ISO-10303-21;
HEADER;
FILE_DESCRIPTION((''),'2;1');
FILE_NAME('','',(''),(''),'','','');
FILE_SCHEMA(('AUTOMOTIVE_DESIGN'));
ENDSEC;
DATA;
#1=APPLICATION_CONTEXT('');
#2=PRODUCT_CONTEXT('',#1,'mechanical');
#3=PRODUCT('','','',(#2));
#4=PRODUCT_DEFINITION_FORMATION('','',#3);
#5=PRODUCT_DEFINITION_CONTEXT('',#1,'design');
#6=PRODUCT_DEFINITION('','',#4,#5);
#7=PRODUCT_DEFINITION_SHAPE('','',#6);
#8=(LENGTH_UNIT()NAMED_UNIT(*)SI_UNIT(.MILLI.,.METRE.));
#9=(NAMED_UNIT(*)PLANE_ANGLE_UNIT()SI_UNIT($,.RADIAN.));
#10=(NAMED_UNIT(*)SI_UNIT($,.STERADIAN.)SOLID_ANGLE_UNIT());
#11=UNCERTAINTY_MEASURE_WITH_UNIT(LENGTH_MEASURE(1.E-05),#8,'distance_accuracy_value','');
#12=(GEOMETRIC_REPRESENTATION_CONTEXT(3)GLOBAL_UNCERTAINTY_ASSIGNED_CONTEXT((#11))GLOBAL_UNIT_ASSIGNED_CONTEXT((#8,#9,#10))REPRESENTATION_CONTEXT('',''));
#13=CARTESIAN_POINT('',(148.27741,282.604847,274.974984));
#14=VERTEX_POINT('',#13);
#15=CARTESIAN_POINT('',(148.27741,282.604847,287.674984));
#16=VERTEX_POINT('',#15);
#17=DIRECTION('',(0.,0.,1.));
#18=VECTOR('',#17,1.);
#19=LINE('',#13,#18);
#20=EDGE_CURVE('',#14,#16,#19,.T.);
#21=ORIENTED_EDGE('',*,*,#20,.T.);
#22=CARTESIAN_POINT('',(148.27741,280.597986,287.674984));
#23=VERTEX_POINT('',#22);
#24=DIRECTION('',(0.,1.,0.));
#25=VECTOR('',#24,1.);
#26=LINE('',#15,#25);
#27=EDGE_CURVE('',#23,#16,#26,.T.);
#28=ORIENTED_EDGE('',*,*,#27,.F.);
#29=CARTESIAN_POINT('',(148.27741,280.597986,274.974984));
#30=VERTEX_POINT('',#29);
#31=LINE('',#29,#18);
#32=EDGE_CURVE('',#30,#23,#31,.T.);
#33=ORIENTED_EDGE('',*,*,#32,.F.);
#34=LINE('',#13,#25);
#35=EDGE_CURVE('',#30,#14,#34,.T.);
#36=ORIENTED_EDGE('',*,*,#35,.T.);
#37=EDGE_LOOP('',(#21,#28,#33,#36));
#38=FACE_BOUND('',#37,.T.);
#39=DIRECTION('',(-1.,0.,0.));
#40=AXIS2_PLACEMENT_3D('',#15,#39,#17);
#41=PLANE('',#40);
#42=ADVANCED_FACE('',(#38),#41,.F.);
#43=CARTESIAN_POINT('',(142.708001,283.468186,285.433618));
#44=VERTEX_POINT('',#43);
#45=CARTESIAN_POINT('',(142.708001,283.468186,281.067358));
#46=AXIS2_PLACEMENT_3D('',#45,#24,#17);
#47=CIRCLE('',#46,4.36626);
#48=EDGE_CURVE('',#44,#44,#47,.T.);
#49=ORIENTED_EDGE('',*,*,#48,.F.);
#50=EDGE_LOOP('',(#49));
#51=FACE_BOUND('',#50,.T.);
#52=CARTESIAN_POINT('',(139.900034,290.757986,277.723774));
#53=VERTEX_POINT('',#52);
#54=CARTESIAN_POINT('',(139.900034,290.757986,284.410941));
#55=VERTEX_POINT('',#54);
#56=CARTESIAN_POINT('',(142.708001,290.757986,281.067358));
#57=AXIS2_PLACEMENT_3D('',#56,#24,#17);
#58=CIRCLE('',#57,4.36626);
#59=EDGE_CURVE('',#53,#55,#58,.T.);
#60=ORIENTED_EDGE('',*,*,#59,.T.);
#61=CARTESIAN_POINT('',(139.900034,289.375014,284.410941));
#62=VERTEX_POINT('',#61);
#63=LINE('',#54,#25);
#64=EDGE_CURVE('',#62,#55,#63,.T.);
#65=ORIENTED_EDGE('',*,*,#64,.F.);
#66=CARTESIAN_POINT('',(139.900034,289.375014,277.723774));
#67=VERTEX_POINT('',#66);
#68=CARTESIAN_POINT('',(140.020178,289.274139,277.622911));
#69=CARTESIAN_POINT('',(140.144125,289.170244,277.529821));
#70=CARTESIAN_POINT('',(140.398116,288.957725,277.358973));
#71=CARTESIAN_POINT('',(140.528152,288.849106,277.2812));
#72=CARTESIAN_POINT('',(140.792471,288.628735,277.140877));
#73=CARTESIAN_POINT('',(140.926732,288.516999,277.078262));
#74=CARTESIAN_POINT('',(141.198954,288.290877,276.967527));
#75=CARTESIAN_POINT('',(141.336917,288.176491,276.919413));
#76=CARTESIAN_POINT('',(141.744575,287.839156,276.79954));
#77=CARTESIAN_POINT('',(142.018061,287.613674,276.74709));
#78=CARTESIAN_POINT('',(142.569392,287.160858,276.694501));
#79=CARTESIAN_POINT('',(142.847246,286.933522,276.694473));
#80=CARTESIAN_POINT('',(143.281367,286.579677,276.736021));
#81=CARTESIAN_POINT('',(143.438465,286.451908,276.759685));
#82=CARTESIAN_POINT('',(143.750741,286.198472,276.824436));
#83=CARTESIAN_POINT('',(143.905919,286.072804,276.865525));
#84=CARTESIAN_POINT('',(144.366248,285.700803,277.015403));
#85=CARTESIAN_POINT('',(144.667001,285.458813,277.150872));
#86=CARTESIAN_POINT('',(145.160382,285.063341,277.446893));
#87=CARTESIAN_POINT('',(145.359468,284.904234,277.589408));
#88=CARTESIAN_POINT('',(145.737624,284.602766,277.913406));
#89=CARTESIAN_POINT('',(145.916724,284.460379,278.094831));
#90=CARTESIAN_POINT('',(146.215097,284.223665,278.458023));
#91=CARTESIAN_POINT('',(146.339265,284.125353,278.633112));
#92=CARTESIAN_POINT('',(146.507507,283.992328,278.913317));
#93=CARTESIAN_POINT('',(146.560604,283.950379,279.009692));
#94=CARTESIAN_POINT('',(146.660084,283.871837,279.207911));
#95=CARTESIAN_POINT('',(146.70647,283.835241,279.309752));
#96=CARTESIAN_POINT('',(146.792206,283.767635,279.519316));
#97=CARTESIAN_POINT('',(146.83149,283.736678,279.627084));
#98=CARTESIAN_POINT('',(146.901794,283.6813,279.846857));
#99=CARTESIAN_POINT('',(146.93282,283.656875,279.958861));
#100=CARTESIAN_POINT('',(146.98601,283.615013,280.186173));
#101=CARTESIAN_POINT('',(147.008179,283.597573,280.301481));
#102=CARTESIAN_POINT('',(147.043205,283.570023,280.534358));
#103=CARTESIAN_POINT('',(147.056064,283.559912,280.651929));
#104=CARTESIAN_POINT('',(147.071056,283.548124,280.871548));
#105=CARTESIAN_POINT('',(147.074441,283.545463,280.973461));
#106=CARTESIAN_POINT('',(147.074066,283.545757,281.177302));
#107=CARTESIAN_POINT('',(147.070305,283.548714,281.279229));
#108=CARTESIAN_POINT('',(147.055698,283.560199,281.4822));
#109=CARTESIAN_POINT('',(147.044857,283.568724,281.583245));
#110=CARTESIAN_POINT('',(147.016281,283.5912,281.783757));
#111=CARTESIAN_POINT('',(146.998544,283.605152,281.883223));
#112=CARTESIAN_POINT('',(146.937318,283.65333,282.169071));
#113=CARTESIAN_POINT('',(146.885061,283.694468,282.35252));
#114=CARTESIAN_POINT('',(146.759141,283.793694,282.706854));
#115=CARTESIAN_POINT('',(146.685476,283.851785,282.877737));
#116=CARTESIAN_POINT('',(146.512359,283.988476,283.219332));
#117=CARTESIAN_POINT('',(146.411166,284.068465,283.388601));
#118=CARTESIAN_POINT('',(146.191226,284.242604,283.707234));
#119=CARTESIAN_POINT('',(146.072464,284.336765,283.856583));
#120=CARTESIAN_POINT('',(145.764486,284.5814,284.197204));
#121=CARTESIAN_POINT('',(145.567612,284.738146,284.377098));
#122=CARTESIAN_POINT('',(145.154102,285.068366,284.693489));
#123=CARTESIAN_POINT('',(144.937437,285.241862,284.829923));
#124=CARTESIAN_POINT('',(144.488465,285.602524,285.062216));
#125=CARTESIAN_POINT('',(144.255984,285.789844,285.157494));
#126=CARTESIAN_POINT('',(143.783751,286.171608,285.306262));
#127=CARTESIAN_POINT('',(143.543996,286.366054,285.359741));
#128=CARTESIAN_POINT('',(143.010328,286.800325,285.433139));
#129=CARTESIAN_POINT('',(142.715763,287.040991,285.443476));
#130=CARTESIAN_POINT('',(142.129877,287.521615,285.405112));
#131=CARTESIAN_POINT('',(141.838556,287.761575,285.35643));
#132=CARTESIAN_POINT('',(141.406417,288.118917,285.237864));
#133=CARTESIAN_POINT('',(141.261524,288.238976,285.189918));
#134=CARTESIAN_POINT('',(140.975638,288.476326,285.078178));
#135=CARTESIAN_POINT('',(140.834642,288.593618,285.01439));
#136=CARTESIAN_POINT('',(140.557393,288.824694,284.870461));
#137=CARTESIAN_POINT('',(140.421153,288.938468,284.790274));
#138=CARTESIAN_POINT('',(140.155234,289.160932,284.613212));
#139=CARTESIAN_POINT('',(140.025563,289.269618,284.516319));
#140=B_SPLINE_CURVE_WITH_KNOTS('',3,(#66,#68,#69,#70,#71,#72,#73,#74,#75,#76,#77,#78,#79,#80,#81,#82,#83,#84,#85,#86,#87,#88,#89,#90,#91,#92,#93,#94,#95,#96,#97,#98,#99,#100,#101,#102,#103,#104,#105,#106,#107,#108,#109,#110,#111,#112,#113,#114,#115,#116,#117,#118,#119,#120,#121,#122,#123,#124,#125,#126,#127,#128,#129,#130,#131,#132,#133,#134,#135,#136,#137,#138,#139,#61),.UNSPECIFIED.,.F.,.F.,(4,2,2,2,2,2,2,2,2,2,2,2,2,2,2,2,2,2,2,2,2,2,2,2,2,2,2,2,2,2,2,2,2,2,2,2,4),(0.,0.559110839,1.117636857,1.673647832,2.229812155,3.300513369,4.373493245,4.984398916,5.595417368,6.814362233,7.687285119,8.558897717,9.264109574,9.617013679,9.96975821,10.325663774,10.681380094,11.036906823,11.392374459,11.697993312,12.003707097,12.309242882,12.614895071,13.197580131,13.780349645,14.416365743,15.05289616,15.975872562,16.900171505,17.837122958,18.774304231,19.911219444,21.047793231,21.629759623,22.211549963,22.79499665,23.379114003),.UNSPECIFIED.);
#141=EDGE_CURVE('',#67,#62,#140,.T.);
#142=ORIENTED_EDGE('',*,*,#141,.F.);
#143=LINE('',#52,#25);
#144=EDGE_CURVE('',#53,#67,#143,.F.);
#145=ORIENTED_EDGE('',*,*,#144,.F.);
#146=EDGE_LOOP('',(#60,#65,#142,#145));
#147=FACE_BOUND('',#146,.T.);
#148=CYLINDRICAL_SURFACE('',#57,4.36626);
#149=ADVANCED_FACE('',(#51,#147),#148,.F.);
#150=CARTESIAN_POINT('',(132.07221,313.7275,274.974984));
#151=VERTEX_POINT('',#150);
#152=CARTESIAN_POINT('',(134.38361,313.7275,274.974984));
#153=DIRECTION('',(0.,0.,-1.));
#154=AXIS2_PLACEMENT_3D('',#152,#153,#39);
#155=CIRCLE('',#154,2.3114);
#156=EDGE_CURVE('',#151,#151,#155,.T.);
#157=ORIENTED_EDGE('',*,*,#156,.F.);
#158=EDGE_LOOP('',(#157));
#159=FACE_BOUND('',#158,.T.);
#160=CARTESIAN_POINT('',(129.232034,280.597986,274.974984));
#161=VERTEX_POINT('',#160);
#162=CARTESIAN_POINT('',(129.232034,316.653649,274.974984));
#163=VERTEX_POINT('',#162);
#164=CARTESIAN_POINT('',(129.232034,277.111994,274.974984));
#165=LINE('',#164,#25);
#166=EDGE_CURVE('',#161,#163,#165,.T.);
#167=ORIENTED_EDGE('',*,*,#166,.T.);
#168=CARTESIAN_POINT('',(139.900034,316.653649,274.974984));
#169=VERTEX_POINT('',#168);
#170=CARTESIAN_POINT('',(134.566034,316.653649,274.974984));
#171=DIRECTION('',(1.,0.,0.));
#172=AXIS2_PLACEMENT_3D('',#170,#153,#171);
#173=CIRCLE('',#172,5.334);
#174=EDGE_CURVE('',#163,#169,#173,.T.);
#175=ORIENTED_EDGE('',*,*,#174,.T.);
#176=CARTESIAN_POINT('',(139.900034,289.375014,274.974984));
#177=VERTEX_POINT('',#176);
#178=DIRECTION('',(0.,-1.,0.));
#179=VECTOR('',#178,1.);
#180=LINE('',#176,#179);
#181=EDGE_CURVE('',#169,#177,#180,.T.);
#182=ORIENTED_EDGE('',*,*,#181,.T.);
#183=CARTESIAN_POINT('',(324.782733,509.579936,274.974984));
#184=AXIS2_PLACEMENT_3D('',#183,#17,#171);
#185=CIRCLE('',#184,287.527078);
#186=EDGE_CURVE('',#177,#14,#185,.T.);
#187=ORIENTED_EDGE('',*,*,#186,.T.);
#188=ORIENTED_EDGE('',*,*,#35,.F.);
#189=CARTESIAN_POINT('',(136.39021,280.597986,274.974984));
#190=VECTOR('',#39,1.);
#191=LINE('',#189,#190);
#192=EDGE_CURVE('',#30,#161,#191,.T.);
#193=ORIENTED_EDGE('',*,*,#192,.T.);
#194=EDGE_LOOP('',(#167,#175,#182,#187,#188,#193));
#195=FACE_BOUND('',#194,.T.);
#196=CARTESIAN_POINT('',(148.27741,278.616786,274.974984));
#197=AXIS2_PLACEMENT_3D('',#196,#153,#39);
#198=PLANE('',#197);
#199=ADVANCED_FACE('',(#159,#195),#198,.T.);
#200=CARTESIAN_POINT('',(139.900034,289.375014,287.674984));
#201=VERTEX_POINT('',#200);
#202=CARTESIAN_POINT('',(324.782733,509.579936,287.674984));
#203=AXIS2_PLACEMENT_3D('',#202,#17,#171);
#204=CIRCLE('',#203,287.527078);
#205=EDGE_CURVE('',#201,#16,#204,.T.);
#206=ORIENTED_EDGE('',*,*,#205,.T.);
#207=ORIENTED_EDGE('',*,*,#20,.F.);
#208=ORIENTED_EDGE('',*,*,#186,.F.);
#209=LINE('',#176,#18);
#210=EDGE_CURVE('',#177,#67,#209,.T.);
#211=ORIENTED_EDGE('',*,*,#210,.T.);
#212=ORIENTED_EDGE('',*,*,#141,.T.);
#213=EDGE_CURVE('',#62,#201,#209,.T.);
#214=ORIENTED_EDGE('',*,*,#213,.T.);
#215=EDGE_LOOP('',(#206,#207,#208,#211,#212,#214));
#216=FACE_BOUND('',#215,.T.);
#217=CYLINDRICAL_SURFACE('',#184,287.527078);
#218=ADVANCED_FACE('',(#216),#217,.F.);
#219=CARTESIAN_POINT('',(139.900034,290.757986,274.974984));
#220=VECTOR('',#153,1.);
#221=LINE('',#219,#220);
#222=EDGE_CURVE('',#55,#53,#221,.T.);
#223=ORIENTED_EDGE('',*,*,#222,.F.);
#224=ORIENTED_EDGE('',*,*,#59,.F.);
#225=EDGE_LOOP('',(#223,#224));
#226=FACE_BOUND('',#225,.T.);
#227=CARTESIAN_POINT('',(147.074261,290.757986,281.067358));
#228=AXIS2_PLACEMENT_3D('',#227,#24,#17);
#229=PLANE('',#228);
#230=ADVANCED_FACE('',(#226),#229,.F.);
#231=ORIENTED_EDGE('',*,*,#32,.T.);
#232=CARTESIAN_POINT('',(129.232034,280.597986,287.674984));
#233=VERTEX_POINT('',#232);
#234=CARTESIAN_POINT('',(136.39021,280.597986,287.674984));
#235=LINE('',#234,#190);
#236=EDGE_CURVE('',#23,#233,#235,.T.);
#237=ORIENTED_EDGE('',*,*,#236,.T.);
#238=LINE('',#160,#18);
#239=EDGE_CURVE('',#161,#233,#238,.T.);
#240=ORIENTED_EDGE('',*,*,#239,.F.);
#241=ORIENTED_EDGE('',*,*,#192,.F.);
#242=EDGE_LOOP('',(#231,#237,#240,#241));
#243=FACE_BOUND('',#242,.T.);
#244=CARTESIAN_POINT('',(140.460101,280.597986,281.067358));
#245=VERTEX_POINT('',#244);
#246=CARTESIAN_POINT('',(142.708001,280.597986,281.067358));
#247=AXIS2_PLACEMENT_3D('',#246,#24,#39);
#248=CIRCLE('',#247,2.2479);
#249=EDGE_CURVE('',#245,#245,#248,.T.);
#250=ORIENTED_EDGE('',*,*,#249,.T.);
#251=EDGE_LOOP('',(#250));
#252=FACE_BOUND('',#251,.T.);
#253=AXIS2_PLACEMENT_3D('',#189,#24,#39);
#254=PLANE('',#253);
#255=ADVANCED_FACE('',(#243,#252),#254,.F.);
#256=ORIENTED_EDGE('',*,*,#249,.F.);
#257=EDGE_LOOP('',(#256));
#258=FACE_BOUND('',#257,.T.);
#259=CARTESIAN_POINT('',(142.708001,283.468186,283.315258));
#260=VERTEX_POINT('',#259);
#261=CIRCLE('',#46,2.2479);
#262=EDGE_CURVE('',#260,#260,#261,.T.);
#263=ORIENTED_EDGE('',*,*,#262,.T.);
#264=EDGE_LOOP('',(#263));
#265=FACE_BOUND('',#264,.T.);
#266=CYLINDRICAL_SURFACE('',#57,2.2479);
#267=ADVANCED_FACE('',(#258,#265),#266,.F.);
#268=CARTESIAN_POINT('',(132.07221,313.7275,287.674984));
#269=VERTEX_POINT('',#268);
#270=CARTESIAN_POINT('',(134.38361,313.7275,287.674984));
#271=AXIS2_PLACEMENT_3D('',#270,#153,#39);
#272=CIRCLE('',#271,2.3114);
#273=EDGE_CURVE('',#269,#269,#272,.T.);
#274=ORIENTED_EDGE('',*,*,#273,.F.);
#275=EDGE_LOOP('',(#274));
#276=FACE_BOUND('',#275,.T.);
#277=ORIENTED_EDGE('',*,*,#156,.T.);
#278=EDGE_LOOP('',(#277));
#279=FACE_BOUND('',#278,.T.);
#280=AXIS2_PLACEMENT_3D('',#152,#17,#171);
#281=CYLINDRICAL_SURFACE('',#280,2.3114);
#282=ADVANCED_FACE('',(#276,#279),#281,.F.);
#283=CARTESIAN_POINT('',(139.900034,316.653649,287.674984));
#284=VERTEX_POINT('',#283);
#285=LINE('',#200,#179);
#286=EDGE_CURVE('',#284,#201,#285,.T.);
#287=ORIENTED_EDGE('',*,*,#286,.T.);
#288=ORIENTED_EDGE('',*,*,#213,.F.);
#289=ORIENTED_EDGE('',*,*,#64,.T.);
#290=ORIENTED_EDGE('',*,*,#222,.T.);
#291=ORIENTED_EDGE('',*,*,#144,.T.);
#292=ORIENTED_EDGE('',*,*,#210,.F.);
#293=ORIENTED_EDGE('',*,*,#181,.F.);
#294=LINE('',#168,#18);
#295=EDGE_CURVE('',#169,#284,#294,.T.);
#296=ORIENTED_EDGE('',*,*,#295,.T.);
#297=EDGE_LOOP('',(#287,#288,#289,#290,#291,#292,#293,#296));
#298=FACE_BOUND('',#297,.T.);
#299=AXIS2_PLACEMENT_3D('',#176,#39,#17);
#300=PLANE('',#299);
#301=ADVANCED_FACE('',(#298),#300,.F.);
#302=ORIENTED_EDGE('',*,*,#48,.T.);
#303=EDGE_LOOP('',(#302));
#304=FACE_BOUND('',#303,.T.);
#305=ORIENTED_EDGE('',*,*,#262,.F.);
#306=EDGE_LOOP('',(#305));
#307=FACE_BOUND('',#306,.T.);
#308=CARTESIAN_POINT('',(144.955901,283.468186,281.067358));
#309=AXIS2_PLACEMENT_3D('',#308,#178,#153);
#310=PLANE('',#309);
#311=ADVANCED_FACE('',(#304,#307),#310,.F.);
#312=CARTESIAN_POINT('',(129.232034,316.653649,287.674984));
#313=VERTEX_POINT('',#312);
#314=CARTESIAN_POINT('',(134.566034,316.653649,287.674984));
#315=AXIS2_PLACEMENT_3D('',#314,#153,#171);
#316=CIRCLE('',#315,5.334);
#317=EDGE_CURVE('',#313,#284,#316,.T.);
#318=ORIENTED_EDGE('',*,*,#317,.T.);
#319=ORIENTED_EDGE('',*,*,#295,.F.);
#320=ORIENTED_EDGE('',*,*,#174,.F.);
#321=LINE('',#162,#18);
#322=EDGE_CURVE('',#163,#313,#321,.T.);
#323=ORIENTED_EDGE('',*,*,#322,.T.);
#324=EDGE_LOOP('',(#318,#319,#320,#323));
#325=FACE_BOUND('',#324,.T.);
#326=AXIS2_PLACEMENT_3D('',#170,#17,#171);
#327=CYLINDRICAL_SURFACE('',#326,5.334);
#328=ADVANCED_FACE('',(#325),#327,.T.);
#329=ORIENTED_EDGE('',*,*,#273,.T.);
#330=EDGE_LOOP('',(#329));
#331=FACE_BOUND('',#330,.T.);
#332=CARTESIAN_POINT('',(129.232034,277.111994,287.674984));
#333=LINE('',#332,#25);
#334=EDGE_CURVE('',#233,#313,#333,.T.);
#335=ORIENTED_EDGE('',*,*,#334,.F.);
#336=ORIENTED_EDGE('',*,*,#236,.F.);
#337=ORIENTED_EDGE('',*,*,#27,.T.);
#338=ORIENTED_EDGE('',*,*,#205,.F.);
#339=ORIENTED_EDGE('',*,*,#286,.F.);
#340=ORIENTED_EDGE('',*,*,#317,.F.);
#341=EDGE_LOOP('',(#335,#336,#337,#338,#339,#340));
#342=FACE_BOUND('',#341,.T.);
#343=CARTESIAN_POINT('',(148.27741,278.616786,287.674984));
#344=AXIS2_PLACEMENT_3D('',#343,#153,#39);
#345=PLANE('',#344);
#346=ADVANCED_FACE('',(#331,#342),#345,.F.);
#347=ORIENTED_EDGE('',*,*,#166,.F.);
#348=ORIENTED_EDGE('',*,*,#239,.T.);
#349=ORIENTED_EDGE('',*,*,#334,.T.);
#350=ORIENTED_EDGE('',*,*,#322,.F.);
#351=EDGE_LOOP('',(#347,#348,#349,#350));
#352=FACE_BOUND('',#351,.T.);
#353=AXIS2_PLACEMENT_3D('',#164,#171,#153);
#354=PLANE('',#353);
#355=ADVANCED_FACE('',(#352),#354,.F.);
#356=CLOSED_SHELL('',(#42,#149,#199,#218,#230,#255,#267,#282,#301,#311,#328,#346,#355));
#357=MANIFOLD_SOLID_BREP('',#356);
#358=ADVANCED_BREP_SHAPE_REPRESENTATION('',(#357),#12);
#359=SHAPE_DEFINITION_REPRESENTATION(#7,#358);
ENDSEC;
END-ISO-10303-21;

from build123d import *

# Parameters (mm, degrees)
SKETCH1_R           = 2.3114
BOSS_EXTRUDE1_DEPTH = 12.7
SKETCH2_R           = 2.3114
CUT_EXTRUDE1_DEPTH  = 12.7
SKETCH6_W           = 14.121517248
SKETCH6_H           = 29.833964346
CUT_EXTRUDE2_DEPTH  = 12.7
SKETCH7_W           = 28.687814756
SKETCH7_H           = 15.668419498
CUT_EXTRUDE3_DEPTH  = 12.7


with BuildPart() as part:
    # Sketch1 → Boss-Extrude1 (new body)
    with BuildSketch(Plane(origin=(0, 0, 287.67498399), x_dir=(-1, 0, 0), z_dir=(0, 0, -1))):
        with BuildLine():
            Line((-152.251778141, 257.179185564), (-150.258610496, 257.179185564))
            Line((-150.258610496, 257.179185564), (-150.258610494, 278.616785564))
            ThreePointArc((-150.258610494, 278.616785564), (-149.678330448, 280.017705521), (-148.277410491, 280.597985567))
            Line((-148.277410491, 280.597985567), (-136.390210491, 280.597985564))
            Line((-136.390210491, 280.597985564), (-136.390210491, 279.429585564))
            Line((-136.390210491, 279.429585564), (-148.277410491, 279.429585567))
            ThreePointArc((-148.277410491, 279.429585567), (-148.852146887, 279.19152196), (-149.090210496, 278.616785564))
            Line((-149.090210496, 278.616785564), (-149.090210494, 277.111994182))
            Line((-149.090210494, 277.111994182), (-129.232034093, 277.111994182))
            Line((-129.232034093, 277.111994182), (-129.232034093, 316.653648997))
            ThreePointArc((-129.232034093, 316.653648997), (-134.566034093, 321.987648997), (-139.900034093, 316.653648997))
            Line((-139.900034093, 316.653648997), (-139.900034093, 289.375013802))
            ThreePointArc((-139.900034093, 289.375013802), (-144.05701735, 285.950698605), (-148.277410489, 282.604846529))
            ThreePointArc((-148.277410489, 282.604846529), (-151.211817414, 281.317505148), (-152.251778141, 278.286585564))
            Line((-152.251778141, 278.286585564), (-152.251778141, 257.179185564))
        make_face()
        with Locations((-134.383610491, 313.727499576)):
            Circle(SKETCH1_R, mode=Mode.SUBTRACT)
    extrude(amount=BOSS_EXTRUDE1_DEPTH)

    # Sketch2 → Cut-Extrude1 (cut)
    with BuildSketch(Plane.ZY.offset(-150.25861052)):
        with Locations((281.230197131, 274.312688508)):
            Circle(SKETCH2_R)
        with Locations((281.230197131, 261.612688508)):
            Circle(SKETCH2_R)
    extrude(amount=-CUT_EXTRUDE1_DEPTH, mode=Mode.SUBTRACT)

    # Sketch5 → CBORE for #8 Button Head Cap Screw1 (revolve, cut)
    with BuildSketch(Plane(origin=(142.708000895, 290.757985564, 281.067357509), x_dir=(0, 0, 1), z_dir=(1, 0, 0))):
        Polygon((0, 0), (0, 33.5788), (2.2479, 33.5788), (2.2479, 7.2898), (4.36626, 7.2898), (4.36626, 0), align=None)
    revolve(axis=Axis((142.708000895, 297.107985564, 281.067357509), (0, -1, 0)), mode=Mode.SUBTRACT)

    # Sketch6 → Cut-Extrude2 (cut)
    with BuildSketch(Plane(origin=(0, 0, 274.97498399), x_dir=(-1, 0, 0), z_dir=(0, 0, -1))):
        with Locations((-155.338169113, 267.687864356)):
            Rectangle(SKETCH6_W, SKETCH6_H)
    extrude(amount=-CUT_EXTRUDE2_DEPTH, mode=Mode.SUBTRACT)

    # Sketch7 → Cut-Extrude3 (cut)
    with BuildSketch(Plane(origin=(0, 0, 274.97498399), x_dir=(-1, 0, 0), z_dir=(0, 0, -1))):
        with Locations((-133.933503111, 272.763775818)):
            Rectangle(SKETCH7_W, SKETCH7_H)
    extrude(amount=-CUT_EXTRUDE3_DEPTH, mode=Mode.SUBTRACT)


solid = part.part
